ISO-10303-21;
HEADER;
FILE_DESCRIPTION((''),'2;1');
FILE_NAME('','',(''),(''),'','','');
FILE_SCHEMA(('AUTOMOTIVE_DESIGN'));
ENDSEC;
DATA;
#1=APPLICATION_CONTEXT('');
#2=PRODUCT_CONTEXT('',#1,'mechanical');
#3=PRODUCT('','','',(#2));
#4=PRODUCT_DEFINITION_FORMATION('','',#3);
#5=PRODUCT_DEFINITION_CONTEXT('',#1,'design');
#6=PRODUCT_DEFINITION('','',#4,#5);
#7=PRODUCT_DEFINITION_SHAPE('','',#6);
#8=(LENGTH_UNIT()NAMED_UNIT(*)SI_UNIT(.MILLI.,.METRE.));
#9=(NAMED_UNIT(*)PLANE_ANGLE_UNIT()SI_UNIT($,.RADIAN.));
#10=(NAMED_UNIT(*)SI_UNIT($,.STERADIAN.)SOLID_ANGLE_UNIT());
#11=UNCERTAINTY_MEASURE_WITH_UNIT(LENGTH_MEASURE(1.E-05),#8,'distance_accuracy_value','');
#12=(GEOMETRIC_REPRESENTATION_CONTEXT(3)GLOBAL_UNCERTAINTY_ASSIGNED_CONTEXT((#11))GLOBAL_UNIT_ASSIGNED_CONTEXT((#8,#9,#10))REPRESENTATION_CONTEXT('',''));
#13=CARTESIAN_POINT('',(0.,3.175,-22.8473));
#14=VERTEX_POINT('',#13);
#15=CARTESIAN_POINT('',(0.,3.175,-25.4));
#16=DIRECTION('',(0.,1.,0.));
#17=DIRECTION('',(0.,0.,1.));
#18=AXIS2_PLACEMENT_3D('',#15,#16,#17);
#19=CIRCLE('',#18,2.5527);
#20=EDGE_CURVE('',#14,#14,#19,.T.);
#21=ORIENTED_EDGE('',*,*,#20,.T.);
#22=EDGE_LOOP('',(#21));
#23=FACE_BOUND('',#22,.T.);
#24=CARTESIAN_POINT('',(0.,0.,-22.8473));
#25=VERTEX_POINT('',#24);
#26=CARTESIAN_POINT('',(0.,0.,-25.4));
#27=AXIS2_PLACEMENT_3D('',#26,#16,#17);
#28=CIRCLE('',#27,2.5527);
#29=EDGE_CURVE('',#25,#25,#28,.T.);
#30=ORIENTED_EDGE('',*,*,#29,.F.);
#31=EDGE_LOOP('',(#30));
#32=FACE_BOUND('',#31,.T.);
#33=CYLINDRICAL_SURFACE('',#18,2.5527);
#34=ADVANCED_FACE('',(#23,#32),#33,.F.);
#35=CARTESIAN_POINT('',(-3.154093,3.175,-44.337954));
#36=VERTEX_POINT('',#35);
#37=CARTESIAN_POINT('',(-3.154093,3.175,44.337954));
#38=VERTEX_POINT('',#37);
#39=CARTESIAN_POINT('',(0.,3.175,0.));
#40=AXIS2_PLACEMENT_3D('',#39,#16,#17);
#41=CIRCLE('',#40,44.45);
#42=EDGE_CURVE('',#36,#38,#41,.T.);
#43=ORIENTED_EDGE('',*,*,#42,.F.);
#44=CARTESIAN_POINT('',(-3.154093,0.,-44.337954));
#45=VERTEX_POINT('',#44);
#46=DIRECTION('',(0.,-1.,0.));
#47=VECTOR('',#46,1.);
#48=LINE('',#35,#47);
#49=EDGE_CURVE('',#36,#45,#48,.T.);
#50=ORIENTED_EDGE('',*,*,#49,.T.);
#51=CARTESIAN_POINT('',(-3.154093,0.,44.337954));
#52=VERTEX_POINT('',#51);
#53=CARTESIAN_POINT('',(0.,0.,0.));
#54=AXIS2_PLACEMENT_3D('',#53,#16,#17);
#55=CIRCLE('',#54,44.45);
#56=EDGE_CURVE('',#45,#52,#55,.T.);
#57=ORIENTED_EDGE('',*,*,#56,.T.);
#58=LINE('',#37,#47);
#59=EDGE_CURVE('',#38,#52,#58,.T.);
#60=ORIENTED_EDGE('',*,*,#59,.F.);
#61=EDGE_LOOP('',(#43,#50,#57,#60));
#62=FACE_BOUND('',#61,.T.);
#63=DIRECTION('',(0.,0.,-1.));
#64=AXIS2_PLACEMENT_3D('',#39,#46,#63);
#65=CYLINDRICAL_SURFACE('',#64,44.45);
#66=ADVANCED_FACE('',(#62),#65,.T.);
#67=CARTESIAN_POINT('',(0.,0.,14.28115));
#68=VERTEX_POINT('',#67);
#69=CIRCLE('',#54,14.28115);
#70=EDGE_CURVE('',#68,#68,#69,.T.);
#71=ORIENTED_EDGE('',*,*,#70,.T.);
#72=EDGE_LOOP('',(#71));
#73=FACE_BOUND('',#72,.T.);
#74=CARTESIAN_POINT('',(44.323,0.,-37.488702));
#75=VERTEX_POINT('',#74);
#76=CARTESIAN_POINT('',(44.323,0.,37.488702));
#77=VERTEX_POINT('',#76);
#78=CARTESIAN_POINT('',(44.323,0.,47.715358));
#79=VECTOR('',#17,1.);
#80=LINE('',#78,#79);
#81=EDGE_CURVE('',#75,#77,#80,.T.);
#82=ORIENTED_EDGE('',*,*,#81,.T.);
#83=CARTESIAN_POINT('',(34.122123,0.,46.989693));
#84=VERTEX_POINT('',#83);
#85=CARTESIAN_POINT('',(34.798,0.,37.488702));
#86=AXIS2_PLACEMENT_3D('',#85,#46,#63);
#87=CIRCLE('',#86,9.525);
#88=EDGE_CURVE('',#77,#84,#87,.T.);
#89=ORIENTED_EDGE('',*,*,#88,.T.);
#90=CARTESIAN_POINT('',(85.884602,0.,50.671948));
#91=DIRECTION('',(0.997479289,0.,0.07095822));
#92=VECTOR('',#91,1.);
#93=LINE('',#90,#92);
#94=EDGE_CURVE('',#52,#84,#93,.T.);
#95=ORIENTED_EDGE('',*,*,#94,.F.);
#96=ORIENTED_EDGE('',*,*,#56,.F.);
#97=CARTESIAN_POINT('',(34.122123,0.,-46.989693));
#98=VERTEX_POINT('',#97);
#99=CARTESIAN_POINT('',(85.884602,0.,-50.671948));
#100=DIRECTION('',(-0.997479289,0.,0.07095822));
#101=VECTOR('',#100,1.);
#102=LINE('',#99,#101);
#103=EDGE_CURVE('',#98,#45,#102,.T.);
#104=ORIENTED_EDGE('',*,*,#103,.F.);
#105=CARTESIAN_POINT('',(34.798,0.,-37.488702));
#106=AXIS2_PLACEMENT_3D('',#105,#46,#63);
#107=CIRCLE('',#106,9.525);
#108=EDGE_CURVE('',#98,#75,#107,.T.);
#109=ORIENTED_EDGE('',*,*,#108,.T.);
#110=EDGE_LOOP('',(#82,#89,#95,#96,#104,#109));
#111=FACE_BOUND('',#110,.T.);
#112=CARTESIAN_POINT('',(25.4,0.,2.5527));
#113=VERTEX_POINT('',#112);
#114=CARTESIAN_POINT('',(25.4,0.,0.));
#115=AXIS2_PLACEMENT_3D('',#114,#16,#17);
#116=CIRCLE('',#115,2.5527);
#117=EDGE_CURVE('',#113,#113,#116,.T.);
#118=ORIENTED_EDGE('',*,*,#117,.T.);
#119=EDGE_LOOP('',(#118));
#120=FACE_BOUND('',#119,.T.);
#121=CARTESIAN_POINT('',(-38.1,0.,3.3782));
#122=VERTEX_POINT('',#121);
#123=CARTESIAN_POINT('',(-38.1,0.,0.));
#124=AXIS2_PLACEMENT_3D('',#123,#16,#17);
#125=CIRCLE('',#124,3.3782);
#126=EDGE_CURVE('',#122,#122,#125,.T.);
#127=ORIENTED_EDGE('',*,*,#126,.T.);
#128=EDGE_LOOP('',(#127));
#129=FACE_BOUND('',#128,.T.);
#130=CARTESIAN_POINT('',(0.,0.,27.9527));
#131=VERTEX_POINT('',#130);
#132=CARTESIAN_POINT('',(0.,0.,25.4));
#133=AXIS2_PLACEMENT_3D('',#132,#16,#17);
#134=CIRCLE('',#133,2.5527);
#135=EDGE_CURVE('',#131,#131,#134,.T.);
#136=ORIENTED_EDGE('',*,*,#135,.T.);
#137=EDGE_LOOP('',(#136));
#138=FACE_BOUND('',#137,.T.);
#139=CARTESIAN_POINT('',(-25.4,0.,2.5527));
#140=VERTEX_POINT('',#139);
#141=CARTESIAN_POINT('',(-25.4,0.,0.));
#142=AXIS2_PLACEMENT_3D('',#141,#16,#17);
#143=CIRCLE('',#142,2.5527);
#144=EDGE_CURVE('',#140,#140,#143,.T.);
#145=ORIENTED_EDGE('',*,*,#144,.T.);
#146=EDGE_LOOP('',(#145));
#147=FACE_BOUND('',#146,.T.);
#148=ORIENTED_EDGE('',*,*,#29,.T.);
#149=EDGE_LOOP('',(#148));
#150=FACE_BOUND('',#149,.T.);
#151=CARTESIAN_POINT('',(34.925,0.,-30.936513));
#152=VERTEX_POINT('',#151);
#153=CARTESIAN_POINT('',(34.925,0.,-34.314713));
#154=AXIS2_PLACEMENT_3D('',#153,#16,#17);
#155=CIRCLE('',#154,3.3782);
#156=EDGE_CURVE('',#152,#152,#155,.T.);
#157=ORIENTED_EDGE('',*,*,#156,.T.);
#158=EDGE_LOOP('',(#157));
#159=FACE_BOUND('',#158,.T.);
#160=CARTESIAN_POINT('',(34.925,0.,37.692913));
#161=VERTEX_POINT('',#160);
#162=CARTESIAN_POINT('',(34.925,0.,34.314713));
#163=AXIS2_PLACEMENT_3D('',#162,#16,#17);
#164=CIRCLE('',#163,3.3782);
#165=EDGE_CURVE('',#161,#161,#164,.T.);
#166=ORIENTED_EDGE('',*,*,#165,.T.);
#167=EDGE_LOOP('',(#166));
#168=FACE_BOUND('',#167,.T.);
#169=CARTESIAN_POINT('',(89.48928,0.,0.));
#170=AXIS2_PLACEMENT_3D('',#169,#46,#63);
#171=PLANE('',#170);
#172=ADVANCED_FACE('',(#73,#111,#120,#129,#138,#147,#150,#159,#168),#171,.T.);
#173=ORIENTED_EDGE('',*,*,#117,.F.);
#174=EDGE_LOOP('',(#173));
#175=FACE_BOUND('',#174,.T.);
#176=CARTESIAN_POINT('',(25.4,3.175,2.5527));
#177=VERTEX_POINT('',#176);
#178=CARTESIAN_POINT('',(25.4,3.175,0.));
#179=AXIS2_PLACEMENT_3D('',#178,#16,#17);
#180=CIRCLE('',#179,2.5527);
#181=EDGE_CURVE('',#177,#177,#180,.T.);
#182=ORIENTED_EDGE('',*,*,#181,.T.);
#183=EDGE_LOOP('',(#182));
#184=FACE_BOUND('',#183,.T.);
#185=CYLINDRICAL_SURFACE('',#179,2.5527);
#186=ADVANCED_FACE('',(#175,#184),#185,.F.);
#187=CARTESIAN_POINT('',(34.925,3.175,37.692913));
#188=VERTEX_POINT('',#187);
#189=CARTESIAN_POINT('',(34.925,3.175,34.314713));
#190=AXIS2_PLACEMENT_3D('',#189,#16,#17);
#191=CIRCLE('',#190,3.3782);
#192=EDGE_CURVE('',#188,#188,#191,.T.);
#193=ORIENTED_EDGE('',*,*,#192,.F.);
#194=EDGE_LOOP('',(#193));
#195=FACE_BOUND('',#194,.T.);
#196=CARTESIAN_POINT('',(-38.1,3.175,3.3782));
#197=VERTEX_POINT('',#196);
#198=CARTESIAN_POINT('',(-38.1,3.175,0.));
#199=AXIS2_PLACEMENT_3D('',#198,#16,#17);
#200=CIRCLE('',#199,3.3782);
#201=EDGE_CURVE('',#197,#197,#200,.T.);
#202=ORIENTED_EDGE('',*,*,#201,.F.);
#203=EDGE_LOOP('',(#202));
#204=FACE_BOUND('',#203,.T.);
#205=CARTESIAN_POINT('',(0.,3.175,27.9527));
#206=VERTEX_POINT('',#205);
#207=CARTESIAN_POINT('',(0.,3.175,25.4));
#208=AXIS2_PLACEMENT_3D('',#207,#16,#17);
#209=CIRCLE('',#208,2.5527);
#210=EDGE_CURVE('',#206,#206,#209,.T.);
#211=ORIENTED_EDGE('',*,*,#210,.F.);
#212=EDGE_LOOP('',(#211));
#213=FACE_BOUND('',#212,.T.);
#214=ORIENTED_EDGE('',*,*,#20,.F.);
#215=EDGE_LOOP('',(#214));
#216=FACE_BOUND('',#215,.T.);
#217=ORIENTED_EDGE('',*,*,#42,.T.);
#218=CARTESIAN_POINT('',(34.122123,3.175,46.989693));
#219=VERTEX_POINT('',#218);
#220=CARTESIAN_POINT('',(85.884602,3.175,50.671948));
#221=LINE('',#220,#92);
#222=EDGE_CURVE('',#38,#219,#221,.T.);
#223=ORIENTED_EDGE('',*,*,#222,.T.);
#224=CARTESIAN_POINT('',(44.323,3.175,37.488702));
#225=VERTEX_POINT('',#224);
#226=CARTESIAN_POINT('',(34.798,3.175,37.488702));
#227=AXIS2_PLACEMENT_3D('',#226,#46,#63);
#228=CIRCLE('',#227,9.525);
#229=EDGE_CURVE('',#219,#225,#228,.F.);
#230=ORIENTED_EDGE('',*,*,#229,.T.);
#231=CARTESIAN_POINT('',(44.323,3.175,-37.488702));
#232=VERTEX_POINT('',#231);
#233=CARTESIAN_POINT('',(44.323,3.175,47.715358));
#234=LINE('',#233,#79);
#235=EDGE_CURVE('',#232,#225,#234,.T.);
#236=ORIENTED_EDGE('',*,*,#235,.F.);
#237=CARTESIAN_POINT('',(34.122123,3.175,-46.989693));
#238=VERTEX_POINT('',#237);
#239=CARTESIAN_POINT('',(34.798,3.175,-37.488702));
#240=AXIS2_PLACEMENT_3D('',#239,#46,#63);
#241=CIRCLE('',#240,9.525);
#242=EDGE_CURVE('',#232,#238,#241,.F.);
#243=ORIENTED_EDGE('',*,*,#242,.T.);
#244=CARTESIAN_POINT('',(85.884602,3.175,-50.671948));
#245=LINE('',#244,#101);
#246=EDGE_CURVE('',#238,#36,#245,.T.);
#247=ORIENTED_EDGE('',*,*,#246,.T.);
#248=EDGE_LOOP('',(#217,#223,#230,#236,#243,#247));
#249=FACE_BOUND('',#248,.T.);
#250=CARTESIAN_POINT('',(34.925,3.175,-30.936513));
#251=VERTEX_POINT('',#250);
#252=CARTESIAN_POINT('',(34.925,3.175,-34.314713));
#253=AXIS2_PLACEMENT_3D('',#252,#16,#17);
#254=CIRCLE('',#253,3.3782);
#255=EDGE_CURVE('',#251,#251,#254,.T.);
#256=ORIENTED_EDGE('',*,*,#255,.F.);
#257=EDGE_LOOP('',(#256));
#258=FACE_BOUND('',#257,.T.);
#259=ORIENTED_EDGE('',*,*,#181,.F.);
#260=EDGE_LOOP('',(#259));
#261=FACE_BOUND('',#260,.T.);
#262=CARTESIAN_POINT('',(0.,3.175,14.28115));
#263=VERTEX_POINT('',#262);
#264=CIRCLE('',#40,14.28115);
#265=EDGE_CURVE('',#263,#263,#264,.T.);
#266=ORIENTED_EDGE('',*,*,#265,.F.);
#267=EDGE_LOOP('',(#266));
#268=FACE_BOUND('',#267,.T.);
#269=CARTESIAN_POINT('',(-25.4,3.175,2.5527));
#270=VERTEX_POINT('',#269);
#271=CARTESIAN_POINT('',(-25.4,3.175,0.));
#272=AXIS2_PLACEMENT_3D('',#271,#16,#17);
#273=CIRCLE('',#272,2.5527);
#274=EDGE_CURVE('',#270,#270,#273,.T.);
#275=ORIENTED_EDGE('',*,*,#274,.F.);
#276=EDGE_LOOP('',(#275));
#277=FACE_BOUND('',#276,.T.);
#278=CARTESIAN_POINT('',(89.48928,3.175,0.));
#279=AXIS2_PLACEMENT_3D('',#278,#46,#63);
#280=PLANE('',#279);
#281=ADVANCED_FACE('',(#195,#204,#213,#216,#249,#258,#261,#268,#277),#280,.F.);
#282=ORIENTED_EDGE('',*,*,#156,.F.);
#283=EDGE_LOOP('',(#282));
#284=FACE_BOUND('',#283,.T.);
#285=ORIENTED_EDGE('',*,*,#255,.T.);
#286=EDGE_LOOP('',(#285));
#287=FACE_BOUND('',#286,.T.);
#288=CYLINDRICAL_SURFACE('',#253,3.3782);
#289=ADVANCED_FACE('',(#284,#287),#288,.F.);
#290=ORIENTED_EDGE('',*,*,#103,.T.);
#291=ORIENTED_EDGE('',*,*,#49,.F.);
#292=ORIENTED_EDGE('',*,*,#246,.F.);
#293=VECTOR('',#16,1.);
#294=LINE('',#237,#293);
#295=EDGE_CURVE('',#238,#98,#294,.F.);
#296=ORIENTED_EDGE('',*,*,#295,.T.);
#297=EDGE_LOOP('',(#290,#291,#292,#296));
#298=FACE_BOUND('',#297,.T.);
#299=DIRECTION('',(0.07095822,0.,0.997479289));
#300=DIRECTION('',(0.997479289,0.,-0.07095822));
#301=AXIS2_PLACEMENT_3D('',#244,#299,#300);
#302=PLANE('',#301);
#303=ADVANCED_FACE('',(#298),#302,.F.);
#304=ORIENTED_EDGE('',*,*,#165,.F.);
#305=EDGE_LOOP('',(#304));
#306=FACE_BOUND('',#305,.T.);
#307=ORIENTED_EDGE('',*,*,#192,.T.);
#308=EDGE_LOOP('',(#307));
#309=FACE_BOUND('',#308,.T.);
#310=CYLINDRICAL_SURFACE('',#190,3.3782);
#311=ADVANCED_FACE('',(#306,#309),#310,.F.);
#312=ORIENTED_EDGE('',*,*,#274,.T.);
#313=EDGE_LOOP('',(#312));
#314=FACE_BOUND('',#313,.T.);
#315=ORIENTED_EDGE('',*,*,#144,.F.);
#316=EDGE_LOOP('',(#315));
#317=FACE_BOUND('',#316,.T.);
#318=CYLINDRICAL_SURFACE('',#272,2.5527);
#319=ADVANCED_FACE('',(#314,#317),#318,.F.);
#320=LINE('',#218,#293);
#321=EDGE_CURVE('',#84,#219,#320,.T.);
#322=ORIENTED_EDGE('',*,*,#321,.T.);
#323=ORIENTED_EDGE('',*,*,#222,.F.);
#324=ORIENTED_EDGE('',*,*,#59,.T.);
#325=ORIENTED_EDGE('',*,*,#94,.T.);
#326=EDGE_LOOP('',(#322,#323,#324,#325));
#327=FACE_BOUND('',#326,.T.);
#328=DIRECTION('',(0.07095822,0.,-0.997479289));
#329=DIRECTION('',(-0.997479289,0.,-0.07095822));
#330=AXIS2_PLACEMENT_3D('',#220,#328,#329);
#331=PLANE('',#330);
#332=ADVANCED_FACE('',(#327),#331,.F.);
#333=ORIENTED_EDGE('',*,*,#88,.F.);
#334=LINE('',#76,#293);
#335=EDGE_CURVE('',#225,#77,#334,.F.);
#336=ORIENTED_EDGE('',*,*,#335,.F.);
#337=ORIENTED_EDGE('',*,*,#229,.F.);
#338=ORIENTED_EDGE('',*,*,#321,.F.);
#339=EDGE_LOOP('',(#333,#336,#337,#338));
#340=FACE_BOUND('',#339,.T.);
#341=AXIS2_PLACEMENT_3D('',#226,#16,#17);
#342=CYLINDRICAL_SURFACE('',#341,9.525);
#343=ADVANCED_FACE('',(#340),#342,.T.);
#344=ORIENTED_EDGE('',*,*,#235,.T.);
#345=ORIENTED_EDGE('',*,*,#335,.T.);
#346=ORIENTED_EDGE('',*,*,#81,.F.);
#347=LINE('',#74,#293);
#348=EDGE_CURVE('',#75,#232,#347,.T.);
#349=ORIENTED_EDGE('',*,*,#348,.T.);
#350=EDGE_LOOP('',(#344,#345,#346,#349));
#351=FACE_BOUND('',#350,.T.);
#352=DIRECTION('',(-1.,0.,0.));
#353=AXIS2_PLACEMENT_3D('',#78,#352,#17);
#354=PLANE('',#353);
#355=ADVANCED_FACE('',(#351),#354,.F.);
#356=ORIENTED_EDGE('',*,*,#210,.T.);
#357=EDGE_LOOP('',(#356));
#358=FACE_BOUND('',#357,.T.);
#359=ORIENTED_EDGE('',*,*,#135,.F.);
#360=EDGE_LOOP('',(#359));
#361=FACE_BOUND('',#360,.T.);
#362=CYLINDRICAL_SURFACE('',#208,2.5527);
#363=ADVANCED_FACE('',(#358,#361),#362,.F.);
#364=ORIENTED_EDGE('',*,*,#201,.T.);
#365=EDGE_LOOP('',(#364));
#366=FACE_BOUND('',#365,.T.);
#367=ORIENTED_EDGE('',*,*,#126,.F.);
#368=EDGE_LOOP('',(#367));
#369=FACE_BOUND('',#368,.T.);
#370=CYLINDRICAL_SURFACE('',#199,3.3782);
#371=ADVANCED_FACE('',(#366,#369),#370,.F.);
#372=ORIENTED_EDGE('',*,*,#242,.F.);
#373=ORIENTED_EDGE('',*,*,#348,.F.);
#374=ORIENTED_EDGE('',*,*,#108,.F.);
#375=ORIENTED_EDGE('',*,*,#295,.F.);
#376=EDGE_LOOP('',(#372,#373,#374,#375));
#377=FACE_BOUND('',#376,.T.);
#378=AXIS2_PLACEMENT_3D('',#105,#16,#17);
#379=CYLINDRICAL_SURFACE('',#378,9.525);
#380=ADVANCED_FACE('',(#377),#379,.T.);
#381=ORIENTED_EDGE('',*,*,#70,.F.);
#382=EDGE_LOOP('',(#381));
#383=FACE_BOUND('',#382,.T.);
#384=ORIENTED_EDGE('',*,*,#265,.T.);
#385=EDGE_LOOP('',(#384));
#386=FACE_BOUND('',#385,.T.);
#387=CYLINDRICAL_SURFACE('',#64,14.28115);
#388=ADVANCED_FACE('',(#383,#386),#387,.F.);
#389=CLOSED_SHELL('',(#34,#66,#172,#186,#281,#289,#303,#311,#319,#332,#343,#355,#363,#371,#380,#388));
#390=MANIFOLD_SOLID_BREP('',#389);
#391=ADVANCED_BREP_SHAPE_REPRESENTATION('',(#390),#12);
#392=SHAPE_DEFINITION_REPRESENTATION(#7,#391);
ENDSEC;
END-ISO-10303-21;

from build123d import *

# Parameters (mm, degrees)
SKETCH1_R               = 14.2875
SKETCH1_R_2             = 14.28115
BOSS_EXTRUDE1_DEPTH     = 3.175
F_10_CLEARANCE_HOLE1_D  = 5.1054
F_1_4_CLEARANCE_HOLE1_D = 6.7564
CUT_EXTRUDE2_DEPTH      = 4.175
FILLET2_R               = 9.525


with BuildPart() as part:
    # Sketch1 → Boss-Extrude1 (new body)
    with BuildSketch(Plane(origin=(0, 0, 0), x_dir=(1, 0, 0), z_dir=(0, 1, 0))):
        with BuildLine():
            Line((85.884602434, 50.671947857), (-3.15409287, 44.337954375))
            ThreePointArc((-3.15409287, 44.337954375), (-44.45, 0), (-3.15409287, -44.337954375))
            Line((-3.15409287, -44.337954375), (85.884602434, -50.671947857))
            ThreePointArc((85.884602434, -50.671947857), (140.28928, 0), (85.884602434, 50.671947857))
        make_face()
        with Locations((89.48928, 0)):
            Circle(SKETCH1_R, mode=Mode.SUBTRACT)
        Circle(SKETCH1_R_2, mode=Mode.SUBTRACT)
    extrude(amount=BOSS_EXTRUDE1_DEPTH)

    # #10 Clearance Hole1 (through all)
    with Locations(Plane(origin=(0, 3.175, 0), x_dir=(1, 0, 0), z_dir=(0, 1, 0))):
        with Locations((0, 25.4), (25.4, 0), (0, -25.4), (-25.4, 0)):
            Hole(F_10_CLEARANCE_HOLE1_D / 2)

    # 1/4 Clearance Hole1 (through all)
    with Locations(Plane(origin=(0, 3.175, 0), x_dir=(1, 0, 0), z_dir=(0, 1, 0))):
        with Locations((54.56428, 34.925), (54.56428, -34.925), (114.88928, 25.4), (114.88928, -25.4), (-38.1, 0), (34.925, 34.314713318), (34.925, -34.314713318)):
            Hole(F_1_4_CLEARANCE_HOLE1_D / 2)

    # Sketch7 → Cut-Extrude2 (cut, through all)
    with BuildSketch(Plane(origin=(0, 3.175, 0), x_dir=(1, 0, 0), z_dir=(0, 1, 0))):
        Polygon((44.323, 47.715357826), (140.28928, 54.542162621), (140.28928, -54.542162621), (44.323, -47.715357826), align=None)
    extrude(amount=-CUT_EXTRUDE2_DEPTH, mode=Mode.SUBTRACT)

    # Fillet2
    fillet2_edges = [part.edges().sort_by_distance(p)[0] for p in [
        (44.323, 1.5875, -47.715357826),
        (44.323, 1.5875, 47.715357826),
    ]]
    fillet(fillet2_edges, radius=FILLET2_R)


solid = part.part
